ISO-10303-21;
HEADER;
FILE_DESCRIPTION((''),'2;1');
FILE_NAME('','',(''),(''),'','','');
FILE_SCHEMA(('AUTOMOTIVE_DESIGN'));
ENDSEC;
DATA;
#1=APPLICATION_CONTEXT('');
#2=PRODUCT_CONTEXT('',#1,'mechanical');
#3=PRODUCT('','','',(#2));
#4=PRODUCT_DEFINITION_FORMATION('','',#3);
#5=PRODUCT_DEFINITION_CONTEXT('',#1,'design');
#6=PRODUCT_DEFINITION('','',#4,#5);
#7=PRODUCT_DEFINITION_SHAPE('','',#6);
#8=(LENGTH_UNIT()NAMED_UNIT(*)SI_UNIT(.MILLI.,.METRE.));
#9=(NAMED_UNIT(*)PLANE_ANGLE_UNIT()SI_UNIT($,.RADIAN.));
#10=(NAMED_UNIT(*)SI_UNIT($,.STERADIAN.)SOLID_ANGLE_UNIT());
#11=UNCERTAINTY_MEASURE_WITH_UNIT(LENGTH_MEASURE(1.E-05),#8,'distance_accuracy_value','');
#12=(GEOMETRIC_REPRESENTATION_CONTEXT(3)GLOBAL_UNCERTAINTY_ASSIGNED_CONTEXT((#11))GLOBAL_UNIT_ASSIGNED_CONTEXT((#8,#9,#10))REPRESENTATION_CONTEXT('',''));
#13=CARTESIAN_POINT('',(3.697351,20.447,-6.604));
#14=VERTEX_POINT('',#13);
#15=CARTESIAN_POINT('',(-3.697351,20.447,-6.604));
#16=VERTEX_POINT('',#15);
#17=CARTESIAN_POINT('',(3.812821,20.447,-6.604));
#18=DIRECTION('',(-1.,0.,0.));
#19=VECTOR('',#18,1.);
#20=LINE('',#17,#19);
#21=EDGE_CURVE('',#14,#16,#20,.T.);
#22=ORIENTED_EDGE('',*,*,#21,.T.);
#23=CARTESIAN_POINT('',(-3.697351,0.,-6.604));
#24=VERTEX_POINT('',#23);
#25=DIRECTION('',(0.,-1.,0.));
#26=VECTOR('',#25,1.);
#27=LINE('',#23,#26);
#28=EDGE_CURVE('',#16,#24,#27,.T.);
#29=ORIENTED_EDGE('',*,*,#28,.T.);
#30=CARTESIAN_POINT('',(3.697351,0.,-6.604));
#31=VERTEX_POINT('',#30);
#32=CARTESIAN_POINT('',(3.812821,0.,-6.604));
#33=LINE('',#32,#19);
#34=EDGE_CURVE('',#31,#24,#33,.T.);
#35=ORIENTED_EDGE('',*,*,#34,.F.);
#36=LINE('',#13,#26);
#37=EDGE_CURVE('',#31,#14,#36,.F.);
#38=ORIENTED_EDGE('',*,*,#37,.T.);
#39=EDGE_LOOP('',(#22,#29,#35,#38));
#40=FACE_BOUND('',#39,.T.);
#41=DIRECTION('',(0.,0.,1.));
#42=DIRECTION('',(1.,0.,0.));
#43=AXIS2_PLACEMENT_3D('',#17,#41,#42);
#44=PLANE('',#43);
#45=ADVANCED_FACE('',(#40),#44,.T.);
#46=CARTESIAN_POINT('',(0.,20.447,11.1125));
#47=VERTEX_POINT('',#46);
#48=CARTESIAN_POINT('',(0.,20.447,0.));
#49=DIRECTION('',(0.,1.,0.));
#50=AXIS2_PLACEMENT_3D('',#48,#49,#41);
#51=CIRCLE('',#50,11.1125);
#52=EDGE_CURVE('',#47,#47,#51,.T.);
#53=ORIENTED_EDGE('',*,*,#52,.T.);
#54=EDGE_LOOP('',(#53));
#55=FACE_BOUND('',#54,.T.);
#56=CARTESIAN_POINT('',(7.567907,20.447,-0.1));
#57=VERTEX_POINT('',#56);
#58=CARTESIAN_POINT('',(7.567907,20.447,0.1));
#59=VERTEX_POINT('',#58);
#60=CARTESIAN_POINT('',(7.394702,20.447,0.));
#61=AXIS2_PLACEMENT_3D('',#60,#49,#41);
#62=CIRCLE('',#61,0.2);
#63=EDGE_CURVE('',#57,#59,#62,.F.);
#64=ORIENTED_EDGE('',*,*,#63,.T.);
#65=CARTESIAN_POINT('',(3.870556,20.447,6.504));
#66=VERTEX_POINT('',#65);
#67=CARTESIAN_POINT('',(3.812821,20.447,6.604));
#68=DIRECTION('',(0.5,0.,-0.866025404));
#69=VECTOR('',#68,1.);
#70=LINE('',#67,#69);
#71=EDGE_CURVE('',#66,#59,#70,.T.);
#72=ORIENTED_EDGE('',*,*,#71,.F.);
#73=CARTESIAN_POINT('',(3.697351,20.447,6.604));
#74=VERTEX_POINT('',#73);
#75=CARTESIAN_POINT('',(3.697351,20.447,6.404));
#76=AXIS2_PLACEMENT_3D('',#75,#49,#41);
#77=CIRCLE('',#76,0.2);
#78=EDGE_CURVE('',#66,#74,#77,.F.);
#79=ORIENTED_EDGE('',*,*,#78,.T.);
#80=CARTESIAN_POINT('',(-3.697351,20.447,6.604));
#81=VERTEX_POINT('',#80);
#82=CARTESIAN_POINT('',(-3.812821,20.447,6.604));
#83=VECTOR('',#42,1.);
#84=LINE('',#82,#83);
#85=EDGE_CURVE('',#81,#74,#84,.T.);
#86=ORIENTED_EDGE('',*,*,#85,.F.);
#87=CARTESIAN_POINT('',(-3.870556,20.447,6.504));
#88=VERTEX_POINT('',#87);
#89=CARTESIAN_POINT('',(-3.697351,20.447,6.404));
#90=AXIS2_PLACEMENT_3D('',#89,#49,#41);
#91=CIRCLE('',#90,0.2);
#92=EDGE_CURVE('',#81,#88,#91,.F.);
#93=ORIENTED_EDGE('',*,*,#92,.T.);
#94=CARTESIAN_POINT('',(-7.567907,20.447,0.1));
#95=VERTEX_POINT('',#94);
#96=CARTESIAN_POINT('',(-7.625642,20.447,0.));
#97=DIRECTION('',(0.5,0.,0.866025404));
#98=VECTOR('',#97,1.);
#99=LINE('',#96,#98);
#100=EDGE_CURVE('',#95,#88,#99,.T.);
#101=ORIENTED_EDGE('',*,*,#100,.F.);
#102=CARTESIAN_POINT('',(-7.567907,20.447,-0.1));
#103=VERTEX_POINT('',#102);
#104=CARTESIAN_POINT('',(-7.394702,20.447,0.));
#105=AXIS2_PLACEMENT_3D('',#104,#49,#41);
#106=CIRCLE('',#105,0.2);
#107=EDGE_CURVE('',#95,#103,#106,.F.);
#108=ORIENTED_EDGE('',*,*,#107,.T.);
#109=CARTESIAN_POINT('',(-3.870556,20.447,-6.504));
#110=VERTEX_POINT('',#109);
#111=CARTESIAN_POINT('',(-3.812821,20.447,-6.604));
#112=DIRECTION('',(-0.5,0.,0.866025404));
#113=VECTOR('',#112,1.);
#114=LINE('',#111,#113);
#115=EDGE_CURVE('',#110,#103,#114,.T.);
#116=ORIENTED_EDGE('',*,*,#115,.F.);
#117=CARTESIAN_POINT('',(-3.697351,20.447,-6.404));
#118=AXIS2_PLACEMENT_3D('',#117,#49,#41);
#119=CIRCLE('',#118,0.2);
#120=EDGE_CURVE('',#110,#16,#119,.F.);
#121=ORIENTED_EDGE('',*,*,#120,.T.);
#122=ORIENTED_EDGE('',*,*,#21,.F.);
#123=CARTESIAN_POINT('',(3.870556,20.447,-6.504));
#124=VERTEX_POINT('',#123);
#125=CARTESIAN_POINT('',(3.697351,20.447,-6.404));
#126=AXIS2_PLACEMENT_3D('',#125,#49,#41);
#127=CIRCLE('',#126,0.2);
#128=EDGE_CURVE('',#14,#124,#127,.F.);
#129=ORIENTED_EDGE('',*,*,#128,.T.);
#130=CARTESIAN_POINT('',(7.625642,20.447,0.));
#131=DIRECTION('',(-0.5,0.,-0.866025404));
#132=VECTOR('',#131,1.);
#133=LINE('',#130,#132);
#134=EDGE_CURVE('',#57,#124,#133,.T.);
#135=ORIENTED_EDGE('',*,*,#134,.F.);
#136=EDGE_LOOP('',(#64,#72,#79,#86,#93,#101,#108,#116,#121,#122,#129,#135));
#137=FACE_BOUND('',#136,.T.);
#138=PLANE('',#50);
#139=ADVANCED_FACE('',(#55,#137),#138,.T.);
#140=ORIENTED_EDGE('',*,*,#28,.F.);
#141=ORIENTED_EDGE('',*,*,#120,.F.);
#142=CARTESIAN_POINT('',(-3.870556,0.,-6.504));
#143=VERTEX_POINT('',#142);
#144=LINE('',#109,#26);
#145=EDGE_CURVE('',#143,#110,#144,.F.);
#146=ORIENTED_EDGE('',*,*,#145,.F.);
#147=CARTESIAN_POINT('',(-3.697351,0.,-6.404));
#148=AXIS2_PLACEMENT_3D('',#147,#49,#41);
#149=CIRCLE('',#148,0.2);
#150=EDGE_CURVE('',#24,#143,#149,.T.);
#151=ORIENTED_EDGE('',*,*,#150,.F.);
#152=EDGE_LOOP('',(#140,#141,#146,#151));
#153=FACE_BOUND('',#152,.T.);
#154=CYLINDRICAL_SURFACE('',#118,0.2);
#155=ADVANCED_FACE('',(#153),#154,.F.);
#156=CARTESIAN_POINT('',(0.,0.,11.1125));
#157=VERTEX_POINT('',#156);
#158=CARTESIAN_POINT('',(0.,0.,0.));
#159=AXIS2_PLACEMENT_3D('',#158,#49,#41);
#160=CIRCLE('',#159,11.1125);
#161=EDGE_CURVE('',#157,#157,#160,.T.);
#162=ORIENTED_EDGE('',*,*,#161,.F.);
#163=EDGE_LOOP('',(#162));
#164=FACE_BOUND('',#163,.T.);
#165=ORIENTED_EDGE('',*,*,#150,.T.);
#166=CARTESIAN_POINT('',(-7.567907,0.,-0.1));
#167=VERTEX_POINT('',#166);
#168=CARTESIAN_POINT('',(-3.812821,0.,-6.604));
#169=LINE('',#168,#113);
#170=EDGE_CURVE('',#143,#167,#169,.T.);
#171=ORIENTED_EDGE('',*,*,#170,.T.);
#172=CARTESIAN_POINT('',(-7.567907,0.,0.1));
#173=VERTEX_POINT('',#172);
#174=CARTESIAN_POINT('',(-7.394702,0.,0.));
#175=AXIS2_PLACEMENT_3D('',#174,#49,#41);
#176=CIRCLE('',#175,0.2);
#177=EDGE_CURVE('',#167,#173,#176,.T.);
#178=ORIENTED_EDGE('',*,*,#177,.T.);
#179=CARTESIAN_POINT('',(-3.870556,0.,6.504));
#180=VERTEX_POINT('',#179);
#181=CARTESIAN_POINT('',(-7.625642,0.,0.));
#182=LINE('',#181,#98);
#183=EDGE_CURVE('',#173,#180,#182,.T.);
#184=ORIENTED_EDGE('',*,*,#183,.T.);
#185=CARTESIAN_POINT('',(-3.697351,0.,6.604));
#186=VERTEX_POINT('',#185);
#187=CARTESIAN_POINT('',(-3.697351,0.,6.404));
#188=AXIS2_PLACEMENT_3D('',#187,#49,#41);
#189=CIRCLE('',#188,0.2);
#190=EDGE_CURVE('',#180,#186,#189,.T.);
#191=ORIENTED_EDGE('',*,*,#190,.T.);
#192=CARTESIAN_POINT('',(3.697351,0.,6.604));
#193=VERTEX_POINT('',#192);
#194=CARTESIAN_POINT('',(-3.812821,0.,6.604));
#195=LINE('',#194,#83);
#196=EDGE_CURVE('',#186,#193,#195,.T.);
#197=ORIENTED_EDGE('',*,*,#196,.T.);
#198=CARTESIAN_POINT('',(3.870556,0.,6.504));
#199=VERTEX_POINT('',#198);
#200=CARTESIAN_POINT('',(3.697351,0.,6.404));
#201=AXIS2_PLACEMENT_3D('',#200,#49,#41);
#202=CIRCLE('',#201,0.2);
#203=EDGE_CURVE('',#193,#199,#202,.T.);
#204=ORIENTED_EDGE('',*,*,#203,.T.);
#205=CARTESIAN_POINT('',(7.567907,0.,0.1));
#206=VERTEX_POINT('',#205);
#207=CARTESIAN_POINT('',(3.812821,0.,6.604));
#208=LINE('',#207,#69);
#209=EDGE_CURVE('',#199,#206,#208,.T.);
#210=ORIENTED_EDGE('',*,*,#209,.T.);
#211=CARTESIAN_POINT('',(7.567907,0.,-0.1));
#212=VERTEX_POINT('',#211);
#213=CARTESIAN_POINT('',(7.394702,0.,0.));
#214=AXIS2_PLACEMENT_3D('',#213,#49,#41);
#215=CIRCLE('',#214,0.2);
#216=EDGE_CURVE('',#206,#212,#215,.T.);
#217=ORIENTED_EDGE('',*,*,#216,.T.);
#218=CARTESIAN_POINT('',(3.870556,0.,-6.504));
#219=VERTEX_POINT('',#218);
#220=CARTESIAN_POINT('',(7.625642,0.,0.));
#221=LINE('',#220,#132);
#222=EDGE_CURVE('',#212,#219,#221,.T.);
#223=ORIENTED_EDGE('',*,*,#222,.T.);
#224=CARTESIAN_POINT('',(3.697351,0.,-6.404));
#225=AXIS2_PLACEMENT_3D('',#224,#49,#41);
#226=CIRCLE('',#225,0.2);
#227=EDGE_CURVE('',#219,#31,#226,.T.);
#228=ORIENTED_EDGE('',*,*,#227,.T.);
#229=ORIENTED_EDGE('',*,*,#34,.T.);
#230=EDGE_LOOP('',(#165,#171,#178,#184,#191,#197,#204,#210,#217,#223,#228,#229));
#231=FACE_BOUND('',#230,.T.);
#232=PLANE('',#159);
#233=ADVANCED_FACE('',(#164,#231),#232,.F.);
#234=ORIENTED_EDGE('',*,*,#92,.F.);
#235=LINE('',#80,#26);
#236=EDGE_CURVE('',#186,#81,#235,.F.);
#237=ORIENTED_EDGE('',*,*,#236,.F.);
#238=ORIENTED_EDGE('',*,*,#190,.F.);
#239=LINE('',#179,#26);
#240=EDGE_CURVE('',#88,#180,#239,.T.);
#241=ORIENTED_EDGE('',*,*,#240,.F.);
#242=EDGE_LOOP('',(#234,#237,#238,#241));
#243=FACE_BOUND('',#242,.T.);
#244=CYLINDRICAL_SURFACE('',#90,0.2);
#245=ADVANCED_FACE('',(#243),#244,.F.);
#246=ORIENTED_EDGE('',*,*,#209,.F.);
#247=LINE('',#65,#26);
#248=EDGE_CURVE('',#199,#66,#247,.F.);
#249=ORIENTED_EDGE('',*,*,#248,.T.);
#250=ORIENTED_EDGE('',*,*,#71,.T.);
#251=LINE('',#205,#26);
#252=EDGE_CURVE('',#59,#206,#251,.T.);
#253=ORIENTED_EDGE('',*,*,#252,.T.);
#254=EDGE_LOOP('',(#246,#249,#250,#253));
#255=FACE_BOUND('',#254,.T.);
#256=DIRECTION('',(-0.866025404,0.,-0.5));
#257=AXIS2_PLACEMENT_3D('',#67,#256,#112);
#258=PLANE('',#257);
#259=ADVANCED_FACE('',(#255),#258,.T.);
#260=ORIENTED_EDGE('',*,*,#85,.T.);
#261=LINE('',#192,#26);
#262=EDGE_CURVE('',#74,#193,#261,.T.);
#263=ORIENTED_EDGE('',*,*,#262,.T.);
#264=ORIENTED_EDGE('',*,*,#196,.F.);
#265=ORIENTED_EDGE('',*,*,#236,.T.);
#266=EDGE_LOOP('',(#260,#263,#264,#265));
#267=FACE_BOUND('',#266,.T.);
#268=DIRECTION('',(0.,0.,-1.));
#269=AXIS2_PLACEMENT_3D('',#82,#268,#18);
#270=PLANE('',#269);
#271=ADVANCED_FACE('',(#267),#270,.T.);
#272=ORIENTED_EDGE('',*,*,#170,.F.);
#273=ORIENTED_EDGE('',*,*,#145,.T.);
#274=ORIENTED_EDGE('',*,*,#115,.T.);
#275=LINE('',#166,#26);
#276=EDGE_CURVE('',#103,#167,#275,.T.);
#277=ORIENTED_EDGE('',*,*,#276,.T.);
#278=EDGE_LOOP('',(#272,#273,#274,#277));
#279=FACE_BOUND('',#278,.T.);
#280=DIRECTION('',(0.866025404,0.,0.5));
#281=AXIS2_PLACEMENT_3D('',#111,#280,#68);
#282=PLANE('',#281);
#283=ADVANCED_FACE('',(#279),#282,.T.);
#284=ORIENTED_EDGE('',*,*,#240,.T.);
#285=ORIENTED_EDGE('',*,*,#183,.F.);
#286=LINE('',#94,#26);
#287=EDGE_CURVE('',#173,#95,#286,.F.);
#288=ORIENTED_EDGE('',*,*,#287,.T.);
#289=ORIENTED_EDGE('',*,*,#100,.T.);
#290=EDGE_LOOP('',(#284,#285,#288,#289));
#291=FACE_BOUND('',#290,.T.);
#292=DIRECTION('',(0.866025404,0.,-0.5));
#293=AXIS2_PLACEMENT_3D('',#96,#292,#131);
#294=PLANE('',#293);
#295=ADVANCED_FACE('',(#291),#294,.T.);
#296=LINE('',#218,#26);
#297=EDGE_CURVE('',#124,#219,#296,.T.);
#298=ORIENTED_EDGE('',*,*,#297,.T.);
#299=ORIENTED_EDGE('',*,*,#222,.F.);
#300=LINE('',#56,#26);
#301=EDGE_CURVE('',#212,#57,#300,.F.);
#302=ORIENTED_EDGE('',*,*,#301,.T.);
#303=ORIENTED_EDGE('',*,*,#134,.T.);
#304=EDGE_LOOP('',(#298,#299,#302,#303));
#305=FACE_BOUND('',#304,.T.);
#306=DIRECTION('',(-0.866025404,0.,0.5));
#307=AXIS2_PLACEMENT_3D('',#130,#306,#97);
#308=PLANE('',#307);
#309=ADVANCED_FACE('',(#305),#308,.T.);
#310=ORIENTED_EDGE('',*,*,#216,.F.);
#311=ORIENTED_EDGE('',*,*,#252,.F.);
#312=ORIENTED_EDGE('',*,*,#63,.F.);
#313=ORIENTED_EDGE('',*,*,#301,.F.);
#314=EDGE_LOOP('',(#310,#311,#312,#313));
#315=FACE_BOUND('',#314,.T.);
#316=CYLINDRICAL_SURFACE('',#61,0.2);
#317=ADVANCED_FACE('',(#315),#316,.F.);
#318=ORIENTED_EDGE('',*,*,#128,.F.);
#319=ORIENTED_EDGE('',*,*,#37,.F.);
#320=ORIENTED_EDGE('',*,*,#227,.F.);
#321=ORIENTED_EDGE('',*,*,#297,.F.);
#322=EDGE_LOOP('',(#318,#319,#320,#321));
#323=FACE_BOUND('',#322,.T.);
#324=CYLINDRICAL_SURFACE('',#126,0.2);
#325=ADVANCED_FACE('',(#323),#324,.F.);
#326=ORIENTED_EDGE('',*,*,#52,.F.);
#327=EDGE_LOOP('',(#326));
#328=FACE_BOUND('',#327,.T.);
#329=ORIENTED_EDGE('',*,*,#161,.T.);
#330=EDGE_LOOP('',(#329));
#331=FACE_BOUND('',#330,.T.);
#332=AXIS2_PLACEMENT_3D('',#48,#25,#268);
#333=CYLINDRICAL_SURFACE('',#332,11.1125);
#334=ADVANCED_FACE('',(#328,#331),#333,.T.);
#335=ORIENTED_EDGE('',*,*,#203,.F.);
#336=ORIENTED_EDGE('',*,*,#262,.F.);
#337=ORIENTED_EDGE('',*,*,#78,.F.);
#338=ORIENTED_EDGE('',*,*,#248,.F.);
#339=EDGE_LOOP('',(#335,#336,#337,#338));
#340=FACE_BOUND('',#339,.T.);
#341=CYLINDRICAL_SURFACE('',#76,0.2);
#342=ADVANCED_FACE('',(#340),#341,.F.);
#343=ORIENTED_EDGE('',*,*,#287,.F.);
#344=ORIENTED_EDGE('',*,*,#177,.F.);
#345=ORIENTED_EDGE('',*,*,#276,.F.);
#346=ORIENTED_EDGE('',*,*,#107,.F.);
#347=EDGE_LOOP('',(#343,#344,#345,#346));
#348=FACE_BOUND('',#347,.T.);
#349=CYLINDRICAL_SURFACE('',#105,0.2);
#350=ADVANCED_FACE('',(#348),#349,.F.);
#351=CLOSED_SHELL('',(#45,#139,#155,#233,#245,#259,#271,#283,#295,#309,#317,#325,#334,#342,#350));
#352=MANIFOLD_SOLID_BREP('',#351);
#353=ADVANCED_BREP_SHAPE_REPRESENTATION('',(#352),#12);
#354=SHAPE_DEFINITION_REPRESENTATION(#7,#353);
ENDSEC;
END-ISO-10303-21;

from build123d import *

# Parameters (mm, degrees)
SKETCH1_R           = 11.1125
BOSS_EXTRUDE1_DEPTH = 20.447
FILLET1_R           = 0.2


with BuildPart() as part:
    # Sketch1 → Boss-Extrude1 (new body)
    with BuildSketch(Plane(origin=(0, 0, 0), x_dir=(1, 0, 0), z_dir=(0, 1, 0))):
        Circle(SKETCH1_R)
        Polygon((7.625642355, 0), (3.812821178, 6.604), (-3.812821178, 6.604), (-7.625642355, 0), (-3.812821178, -6.604), (3.812821178, -6.604), align=None, mode=Mode.SUBTRACT)
    extrude(amount=BOSS_EXTRUDE1_DEPTH)

    # Fillet1
    fillet1_edges = [part.edges().sort_by_distance(p)[0] for p in [
        (7.625642355, 10.2235, 0),
        (3.812821178, 10.2235, -6.604),
        (-3.812821178, 10.2235, -6.604),
        (-7.625642355, 10.2235, 0),
        (-3.812821178, 10.2235, 6.604),
        (3.812821178, 10.2235, 6.604),
    ]]
    fillet(fillet1_edges, radius=FILLET1_R)


solid = part.part
